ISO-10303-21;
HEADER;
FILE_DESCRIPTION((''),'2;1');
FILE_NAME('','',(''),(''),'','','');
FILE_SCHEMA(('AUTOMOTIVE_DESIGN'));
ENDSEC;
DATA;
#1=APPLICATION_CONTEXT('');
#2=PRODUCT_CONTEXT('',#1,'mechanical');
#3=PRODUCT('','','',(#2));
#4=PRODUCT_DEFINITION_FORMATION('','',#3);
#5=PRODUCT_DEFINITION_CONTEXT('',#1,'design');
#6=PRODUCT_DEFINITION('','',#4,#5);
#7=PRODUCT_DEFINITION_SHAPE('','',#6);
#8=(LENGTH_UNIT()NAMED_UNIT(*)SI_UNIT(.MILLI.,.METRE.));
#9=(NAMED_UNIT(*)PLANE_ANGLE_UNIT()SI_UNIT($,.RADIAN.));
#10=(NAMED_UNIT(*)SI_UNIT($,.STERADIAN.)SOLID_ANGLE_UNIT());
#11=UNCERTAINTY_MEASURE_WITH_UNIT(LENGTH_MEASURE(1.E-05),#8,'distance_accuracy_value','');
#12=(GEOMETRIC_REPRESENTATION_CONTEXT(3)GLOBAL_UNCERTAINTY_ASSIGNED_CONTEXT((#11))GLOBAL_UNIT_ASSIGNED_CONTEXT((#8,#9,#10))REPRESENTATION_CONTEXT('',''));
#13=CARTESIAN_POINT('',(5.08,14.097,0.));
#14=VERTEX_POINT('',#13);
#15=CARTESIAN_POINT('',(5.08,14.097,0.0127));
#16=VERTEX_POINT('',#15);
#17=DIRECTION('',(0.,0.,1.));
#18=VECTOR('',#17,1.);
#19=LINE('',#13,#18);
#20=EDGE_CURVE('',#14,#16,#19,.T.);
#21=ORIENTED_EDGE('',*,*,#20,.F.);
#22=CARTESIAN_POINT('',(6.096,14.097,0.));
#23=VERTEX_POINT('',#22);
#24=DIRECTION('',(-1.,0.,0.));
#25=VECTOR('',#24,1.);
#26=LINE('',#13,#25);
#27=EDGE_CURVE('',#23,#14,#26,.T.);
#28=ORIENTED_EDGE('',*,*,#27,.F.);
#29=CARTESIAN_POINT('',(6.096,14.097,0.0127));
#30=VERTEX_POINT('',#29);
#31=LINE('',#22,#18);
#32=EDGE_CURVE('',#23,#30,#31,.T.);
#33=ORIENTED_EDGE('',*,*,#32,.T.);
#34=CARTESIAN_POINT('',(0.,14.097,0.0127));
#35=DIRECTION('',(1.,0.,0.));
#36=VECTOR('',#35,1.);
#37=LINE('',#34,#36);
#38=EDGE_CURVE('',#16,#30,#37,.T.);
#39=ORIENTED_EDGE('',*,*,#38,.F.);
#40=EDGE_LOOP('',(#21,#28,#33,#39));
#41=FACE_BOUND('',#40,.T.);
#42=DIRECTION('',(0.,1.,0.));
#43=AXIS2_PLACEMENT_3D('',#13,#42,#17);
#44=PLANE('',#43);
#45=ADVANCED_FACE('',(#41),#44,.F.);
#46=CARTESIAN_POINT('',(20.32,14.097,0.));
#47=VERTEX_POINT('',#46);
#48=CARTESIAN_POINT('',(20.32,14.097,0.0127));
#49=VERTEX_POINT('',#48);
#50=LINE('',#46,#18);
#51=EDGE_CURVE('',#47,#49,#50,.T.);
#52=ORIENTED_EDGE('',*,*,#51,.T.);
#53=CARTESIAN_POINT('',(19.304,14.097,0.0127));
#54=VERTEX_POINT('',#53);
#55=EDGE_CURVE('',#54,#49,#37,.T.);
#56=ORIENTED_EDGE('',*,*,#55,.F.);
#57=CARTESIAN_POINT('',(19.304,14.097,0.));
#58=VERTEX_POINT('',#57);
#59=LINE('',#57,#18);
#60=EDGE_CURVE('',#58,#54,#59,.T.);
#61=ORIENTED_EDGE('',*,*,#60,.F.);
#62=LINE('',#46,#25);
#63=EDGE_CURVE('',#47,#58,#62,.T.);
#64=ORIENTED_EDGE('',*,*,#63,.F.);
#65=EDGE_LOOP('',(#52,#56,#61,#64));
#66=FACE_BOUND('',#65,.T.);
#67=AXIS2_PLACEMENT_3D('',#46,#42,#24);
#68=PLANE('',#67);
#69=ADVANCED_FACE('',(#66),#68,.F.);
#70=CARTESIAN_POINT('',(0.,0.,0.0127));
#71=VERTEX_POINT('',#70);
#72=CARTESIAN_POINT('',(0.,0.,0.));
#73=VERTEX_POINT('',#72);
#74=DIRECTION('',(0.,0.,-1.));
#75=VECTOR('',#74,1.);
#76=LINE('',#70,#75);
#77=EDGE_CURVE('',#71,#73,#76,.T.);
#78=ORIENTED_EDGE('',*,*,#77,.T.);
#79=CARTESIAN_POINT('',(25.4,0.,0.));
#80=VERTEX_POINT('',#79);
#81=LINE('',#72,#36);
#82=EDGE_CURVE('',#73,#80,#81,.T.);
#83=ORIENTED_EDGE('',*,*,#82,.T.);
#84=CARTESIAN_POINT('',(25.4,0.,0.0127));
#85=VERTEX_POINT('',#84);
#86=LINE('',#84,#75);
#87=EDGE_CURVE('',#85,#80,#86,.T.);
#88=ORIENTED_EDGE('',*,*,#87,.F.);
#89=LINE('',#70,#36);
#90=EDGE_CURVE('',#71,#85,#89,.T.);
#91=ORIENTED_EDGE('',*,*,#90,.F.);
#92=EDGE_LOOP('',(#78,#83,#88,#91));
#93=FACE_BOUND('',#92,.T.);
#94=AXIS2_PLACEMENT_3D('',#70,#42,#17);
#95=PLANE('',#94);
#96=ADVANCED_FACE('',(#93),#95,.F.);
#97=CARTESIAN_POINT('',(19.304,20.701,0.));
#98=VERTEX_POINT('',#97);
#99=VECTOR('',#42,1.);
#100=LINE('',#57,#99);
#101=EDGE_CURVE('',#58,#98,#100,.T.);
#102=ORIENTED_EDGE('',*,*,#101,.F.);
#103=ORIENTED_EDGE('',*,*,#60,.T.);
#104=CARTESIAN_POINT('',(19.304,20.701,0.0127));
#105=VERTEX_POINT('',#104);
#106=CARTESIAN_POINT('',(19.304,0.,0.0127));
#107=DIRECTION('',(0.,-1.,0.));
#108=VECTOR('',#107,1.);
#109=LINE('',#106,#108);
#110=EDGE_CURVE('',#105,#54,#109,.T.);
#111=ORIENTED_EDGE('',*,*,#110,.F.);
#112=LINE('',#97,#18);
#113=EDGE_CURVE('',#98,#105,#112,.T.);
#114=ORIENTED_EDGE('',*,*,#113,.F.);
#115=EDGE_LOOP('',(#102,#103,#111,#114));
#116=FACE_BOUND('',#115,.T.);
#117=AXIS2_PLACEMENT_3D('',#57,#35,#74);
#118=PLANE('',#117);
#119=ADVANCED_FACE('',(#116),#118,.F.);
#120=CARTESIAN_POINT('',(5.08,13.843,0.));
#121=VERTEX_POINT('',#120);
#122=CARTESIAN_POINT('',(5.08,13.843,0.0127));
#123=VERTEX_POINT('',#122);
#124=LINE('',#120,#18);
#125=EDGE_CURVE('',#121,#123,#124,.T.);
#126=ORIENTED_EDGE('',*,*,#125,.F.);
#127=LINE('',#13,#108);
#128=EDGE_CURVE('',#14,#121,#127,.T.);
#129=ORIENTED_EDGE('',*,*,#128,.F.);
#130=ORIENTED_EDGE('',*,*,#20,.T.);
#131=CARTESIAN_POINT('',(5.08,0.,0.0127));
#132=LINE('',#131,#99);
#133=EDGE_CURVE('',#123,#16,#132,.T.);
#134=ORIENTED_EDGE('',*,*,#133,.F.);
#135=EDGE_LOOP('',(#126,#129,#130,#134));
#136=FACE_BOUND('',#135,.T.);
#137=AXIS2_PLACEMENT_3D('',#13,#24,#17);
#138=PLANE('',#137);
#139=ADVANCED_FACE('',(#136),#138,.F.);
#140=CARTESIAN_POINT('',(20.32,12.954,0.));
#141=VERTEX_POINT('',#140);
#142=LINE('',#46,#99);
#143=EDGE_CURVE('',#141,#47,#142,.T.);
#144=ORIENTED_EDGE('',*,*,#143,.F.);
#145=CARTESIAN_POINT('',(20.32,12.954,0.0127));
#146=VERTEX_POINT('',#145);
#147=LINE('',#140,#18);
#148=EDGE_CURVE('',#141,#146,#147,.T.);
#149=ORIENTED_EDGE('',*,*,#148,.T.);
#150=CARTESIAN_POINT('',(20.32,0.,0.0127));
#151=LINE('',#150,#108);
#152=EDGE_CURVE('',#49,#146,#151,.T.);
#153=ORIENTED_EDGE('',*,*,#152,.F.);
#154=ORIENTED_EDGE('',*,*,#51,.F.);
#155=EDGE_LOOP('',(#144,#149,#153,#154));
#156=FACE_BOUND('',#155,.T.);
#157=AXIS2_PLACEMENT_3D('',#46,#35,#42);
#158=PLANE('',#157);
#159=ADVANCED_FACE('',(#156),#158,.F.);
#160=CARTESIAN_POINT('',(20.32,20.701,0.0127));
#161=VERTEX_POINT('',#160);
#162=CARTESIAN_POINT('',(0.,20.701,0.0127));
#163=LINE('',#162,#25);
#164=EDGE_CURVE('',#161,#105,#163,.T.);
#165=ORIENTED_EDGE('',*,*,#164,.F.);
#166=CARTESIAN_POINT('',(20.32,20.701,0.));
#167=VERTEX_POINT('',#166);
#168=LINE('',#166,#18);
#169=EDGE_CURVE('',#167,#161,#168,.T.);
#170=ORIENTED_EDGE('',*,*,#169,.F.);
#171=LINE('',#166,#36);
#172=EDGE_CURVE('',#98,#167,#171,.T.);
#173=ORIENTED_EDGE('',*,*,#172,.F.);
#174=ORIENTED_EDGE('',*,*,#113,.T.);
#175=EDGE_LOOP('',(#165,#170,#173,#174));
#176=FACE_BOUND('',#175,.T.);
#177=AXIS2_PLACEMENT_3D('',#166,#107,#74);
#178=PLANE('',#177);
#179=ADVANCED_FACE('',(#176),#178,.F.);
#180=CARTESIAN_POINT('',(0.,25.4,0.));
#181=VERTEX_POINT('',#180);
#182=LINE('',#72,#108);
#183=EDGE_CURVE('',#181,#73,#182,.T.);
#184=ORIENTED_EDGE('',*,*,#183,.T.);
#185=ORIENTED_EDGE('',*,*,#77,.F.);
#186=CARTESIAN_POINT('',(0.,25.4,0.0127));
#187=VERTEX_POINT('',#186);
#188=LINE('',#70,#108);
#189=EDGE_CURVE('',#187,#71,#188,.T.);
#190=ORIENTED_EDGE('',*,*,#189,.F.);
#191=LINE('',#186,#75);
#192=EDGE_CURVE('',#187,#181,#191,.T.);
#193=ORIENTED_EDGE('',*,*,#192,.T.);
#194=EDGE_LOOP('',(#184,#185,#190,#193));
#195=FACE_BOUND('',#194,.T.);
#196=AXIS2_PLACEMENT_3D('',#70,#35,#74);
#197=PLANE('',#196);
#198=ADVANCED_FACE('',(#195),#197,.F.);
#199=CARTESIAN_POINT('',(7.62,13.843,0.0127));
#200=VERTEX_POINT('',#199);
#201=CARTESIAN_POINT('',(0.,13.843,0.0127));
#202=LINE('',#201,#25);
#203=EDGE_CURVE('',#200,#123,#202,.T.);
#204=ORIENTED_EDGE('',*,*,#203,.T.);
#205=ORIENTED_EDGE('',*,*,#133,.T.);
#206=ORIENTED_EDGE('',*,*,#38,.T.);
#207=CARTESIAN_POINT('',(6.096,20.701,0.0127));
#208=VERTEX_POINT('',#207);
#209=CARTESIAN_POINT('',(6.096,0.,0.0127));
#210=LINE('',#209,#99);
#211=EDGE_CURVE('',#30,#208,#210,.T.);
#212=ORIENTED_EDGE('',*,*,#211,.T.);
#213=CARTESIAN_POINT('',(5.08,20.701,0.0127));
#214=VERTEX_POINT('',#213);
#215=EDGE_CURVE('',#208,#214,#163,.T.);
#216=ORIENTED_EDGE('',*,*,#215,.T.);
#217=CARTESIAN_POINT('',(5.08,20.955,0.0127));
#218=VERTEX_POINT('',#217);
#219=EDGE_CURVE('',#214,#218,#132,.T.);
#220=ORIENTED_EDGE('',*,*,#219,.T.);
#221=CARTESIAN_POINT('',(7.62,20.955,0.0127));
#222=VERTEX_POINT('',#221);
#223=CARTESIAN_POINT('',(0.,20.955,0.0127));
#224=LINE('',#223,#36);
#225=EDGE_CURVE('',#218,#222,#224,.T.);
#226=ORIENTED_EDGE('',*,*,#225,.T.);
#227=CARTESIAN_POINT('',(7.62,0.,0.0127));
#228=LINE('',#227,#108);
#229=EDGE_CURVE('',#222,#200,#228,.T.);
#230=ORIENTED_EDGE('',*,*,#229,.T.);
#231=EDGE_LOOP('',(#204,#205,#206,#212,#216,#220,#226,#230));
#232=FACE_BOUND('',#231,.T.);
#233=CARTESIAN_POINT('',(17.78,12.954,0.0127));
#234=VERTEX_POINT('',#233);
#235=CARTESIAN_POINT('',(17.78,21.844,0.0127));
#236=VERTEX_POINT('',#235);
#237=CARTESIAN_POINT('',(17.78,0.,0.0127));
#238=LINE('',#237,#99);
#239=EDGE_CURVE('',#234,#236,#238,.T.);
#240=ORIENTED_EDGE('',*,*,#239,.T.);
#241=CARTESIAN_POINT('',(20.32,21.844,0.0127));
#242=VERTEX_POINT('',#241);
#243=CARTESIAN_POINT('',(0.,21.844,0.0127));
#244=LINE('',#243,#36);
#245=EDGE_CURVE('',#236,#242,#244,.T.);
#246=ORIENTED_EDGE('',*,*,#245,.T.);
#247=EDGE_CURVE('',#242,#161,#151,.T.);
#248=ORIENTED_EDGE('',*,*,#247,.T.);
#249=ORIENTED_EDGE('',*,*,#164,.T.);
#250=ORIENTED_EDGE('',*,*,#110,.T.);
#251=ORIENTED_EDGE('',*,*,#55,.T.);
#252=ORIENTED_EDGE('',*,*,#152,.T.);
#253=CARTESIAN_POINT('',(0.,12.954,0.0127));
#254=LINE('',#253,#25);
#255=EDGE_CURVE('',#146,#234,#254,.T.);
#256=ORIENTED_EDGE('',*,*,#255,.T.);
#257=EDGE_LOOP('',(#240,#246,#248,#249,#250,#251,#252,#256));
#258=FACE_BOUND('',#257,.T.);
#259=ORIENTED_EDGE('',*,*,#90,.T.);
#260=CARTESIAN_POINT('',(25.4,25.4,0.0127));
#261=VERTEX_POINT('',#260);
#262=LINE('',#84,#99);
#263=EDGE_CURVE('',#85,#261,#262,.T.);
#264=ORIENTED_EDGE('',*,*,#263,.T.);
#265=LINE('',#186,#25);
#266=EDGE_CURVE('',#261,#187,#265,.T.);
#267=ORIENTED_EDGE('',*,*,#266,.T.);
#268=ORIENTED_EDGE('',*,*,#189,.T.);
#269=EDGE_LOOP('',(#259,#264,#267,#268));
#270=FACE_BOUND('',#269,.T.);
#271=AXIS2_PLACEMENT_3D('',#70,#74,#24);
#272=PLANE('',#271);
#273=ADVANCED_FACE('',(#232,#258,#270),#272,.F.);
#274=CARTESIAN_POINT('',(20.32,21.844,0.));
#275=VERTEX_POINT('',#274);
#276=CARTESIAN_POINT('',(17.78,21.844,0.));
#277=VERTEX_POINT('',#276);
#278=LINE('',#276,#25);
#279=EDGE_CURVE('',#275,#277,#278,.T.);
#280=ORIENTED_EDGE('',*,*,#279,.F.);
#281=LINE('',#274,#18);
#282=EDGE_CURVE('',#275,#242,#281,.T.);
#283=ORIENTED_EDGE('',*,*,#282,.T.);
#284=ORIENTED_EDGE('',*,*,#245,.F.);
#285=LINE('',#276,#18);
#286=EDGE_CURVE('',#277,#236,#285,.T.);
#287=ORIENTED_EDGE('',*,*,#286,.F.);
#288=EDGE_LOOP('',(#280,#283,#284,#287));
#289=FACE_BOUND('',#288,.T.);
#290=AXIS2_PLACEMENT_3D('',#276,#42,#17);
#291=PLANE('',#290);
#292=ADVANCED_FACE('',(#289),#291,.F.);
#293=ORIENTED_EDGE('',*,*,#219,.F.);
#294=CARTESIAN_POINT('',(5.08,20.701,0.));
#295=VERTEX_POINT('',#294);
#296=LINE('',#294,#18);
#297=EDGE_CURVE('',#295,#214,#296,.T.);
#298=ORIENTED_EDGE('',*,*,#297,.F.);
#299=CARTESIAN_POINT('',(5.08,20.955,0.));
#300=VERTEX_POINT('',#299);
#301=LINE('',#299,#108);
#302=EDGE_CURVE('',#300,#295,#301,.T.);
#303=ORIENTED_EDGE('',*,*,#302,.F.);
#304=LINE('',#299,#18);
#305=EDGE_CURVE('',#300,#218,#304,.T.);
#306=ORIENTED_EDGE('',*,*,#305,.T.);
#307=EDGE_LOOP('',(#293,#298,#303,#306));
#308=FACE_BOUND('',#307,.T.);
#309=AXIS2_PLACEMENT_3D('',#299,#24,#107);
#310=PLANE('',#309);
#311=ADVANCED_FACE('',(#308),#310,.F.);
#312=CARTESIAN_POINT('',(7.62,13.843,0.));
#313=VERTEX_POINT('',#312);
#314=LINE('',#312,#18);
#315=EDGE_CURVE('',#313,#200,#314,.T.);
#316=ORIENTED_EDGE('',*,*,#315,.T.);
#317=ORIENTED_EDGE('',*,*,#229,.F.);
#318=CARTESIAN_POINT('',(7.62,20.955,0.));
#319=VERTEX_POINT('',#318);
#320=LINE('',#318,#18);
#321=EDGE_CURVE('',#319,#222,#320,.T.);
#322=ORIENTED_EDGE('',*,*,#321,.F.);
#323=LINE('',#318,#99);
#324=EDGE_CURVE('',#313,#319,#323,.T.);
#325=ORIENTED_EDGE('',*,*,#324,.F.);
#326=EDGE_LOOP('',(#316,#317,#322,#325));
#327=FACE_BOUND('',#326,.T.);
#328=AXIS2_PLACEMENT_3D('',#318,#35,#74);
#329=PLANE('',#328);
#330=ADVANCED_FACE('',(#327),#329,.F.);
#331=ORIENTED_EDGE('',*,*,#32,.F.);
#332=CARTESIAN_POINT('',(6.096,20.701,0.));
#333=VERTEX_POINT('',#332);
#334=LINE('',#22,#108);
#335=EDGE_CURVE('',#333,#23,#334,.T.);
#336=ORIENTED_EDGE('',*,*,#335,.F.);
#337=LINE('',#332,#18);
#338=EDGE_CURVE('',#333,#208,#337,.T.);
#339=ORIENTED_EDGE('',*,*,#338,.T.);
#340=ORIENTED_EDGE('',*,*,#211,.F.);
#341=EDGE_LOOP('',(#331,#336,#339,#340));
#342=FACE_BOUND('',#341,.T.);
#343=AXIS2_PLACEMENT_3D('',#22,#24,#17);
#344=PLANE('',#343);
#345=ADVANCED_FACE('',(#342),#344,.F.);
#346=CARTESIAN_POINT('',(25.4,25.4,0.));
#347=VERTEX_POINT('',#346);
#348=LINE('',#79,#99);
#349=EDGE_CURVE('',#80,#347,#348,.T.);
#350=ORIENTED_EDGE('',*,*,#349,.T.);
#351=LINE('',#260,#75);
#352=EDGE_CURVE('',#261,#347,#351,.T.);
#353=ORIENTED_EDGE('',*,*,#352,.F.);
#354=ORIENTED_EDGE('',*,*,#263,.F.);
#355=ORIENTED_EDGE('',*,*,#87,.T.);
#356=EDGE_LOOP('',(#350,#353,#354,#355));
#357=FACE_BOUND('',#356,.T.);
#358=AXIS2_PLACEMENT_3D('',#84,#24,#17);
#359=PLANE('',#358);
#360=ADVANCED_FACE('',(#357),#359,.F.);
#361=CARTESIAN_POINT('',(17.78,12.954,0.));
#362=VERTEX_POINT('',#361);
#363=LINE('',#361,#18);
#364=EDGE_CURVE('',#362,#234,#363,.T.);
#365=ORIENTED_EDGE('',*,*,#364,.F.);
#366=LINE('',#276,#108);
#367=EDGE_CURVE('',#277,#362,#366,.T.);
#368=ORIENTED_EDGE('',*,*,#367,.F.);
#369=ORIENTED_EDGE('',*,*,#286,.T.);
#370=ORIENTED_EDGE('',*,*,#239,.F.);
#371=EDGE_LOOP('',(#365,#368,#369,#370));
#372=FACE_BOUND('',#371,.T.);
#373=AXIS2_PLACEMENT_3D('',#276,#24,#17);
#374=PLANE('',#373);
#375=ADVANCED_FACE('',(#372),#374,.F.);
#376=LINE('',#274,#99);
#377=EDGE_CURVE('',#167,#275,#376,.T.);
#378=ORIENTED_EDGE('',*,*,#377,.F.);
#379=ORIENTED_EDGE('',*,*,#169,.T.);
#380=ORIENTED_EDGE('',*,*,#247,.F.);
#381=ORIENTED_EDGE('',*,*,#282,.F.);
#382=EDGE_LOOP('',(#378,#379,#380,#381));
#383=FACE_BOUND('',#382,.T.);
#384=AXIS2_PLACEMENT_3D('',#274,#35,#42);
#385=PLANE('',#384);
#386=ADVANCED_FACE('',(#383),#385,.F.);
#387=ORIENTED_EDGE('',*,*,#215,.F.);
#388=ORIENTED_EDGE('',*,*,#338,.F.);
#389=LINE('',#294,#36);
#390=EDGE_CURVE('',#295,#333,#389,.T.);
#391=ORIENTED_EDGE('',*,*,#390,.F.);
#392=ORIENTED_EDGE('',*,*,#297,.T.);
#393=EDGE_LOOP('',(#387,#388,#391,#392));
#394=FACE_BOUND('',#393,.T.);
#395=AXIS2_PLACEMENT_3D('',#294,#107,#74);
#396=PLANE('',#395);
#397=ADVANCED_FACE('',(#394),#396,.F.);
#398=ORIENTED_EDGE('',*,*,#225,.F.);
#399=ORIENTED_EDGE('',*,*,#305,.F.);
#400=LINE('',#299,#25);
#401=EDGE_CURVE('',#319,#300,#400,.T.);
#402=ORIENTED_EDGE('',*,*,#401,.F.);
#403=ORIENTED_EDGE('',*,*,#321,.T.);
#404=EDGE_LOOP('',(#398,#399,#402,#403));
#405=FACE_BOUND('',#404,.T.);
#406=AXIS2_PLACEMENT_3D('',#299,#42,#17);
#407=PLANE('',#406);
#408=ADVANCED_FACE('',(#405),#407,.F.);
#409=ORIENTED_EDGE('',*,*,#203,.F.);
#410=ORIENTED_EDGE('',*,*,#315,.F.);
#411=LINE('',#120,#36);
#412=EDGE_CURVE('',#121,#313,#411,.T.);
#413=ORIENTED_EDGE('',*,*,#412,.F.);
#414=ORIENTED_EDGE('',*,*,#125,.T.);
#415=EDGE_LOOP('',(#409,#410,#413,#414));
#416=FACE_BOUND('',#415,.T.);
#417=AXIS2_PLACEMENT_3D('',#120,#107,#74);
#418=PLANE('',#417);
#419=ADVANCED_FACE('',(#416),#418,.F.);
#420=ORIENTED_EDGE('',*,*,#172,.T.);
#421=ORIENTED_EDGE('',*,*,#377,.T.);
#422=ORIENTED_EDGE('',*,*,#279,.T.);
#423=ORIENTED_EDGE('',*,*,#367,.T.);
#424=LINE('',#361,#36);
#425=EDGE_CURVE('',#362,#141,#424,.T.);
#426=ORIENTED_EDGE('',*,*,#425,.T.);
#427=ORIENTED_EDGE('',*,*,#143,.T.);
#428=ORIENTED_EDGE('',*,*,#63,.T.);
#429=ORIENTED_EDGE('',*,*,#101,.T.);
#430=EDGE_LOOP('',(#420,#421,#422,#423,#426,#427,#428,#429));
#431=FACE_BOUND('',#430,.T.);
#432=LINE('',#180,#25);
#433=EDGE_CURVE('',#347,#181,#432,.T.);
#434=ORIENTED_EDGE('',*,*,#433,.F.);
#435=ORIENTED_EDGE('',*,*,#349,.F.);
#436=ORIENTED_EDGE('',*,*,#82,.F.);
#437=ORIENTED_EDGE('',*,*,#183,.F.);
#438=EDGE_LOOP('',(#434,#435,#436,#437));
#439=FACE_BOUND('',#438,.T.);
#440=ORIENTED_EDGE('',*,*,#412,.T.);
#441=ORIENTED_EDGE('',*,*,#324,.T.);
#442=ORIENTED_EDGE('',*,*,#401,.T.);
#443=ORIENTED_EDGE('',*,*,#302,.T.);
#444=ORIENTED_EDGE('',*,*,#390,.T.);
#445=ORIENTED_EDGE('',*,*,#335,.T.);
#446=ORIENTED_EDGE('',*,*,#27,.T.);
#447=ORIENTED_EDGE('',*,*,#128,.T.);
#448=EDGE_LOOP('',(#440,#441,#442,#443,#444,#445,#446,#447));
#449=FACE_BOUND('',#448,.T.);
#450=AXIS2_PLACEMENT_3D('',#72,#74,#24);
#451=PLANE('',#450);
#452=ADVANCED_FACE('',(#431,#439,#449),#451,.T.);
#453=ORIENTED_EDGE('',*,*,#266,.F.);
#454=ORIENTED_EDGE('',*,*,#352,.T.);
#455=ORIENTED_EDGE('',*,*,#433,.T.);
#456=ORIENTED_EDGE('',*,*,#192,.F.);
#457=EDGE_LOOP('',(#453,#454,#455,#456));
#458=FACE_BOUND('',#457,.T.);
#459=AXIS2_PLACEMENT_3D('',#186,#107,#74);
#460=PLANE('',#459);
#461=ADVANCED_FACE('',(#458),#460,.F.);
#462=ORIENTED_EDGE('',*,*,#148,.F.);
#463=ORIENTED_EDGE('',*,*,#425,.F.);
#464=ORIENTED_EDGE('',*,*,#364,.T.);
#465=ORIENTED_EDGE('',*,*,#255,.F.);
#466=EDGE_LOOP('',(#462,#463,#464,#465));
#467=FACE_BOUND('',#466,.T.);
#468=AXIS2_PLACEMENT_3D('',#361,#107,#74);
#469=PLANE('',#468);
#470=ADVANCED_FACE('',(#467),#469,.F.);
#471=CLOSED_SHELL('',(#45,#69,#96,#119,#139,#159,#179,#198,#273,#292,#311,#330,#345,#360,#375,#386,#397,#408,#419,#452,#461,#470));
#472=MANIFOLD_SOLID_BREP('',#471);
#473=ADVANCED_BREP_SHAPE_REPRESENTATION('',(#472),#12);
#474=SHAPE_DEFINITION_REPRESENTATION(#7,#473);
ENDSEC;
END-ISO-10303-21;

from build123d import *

# Parameters (mm, degrees)
SKETCH1_W               = 25.4
SKETCH1_H               = 25.4
BOSS_EXTRUDE1_DEPTH     = 0.0127
CUT_EXTRUDE8_DEPTH      = 3.556
CUT_EXTRUDE8_DEPTH_BACK = 36.921026729


with BuildPart() as part:
    # Sketch1 → Boss-Extrude1 (new body)
    with BuildSketch(Plane.XY):
        with Locations((12.7, 12.7)):
            Rectangle(SKETCH1_W, SKETCH1_H)
    extrude(amount=BOSS_EXTRUDE1_DEPTH)

    # Sketch2 → Cut-Extrude8 (cut, two sides: drawn at the far end of the back side and taken through both)
    with BuildSketch(Plane.XY.offset(0.0127).offset(-CUT_EXTRUDE8_DEPTH_BACK)):
        Polygon((5.08, 20.955), (7.62, 20.955), (7.62, 13.843), (5.08, 13.843), (5.08, 14.097), (6.096, 14.097), (6.096, 20.701), (5.08, 20.701), align=None)
        Polygon((17.78, 21.844), (20.32, 21.844), (20.32, 20.701), (19.304, 20.701), (19.304, 14.097), (20.32, 14.097), (20.32, 12.954), (17.78, 12.954), align=None)
    extrude(amount=CUT_EXTRUDE8_DEPTH + CUT_EXTRUDE8_DEPTH_BACK, mode=Mode.SUBTRACT)


solid = part.part
